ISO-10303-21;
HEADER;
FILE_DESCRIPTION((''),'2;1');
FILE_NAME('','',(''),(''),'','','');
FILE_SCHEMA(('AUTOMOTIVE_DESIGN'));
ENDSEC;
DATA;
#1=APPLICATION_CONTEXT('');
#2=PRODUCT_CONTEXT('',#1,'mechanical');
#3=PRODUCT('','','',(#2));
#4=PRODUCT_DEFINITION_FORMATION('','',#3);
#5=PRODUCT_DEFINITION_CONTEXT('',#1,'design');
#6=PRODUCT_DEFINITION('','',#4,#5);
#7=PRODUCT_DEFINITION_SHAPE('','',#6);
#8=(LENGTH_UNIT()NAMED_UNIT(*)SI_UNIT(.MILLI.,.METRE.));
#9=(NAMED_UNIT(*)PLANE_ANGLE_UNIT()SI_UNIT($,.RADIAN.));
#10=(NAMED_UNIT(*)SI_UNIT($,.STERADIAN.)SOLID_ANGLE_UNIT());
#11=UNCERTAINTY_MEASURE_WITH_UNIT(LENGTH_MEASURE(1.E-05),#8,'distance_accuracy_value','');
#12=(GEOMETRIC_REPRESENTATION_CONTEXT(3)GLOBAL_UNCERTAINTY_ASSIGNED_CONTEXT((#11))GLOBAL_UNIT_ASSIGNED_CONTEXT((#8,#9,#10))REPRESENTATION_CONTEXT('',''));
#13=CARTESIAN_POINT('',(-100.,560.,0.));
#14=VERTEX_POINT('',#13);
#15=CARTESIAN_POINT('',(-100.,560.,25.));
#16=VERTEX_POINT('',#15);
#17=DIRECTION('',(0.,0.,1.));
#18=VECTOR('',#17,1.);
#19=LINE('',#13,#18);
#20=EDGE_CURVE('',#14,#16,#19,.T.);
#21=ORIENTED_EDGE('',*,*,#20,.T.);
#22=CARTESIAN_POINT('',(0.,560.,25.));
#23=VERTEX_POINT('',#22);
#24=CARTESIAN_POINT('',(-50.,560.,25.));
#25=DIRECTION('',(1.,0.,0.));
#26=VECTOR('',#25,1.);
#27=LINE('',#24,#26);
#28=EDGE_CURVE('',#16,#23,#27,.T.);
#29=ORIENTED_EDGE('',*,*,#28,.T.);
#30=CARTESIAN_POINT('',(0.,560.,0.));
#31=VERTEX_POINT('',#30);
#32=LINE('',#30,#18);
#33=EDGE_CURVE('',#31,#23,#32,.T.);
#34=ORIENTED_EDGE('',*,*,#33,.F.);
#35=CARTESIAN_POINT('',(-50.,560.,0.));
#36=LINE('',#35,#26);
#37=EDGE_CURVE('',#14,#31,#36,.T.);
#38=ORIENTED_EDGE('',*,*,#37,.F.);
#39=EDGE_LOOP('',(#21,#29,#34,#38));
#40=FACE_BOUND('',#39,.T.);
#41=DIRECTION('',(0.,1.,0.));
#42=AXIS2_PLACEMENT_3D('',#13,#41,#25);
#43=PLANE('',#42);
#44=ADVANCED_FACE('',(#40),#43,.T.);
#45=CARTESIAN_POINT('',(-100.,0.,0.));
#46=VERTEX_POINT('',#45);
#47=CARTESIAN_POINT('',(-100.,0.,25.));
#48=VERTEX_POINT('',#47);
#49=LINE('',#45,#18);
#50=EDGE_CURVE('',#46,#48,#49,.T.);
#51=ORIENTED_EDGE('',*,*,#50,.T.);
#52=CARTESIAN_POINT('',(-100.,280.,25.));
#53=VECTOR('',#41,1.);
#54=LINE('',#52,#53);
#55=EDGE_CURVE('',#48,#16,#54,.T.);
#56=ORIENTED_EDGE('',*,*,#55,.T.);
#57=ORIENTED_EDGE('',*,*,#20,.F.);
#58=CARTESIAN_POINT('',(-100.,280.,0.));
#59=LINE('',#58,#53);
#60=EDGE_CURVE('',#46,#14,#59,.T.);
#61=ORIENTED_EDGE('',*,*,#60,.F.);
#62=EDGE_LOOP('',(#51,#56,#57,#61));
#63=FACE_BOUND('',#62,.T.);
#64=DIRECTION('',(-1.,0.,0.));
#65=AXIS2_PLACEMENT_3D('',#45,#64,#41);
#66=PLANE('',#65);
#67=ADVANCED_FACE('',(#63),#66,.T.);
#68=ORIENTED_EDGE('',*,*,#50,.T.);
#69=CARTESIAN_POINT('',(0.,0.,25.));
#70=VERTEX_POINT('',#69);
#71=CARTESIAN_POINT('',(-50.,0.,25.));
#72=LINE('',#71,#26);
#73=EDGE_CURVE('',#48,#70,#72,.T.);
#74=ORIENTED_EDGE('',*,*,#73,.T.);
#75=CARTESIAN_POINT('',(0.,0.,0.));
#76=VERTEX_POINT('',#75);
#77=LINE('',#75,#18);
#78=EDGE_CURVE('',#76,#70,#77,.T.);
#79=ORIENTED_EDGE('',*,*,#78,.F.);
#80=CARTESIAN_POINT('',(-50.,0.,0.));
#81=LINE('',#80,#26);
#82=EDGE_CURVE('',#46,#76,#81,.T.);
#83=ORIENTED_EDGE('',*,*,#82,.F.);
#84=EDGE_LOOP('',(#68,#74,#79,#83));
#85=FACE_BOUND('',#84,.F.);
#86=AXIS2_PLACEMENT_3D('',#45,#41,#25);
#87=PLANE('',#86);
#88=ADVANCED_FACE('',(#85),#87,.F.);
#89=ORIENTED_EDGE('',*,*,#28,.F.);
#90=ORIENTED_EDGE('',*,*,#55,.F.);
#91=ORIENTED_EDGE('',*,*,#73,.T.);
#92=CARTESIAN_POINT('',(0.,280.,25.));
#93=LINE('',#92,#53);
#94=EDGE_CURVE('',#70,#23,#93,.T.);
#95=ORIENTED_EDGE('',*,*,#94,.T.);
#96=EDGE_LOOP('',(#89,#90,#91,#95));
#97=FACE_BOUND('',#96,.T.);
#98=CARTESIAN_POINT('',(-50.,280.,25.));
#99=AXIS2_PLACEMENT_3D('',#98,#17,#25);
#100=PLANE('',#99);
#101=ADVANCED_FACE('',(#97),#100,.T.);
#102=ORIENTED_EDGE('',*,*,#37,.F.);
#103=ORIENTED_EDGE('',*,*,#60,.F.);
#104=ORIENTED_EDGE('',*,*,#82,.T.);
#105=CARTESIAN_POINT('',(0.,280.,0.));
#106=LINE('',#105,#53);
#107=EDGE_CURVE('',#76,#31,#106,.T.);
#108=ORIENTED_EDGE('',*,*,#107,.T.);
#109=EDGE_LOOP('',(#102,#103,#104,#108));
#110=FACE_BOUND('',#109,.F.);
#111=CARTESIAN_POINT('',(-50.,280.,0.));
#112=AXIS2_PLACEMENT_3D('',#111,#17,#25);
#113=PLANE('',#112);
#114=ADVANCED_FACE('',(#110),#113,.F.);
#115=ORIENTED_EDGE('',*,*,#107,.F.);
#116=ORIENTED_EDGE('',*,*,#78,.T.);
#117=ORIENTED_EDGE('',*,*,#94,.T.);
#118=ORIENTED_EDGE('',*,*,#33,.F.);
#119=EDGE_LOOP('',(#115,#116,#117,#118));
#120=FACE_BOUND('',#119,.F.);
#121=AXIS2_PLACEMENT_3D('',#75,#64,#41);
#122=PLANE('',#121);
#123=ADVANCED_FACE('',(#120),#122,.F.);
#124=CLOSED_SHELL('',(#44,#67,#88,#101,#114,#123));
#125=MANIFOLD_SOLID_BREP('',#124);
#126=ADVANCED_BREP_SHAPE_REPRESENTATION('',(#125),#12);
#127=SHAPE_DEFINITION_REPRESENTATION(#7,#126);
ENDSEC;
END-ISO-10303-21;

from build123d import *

# Parameters (mm, degrees)
F0_W     = 100
F0_H     = 560
F1_DEPTH = 25
F2_DEPTH = 25
F3_DEPTH = 25
F4_DEPTH = 25


with BuildPart() as f1:
    # F0 (on Top) → F1 (new body)
    with BuildSketch(Plane.XY):
        with Locations((-50, 280)):
            Rectangle(F0_W, F0_H)
    extrude(amount=F1_DEPTH)

    # F0 (on Top) → F2 (join)
    with BuildSketch(Plane.XY):
        with Locations((-50, 280)):
            Rectangle(F0_W, F0_H)
    extrude(amount=F2_DEPTH)

    # F0 (on Top) → F3 (join)
    with BuildSketch(Plane.XY):
        with Locations((-50, 280)):
            Rectangle(F0_W, F0_H)
    extrude(amount=F3_DEPTH)

    # F0 (on Top) → F4 (join)
    with BuildSketch(Plane.XY):
        with Locations((-50, 280)):
            Rectangle(F0_W, F0_H)
    extrude(amount=F4_DEPTH)


solid = f1.part
